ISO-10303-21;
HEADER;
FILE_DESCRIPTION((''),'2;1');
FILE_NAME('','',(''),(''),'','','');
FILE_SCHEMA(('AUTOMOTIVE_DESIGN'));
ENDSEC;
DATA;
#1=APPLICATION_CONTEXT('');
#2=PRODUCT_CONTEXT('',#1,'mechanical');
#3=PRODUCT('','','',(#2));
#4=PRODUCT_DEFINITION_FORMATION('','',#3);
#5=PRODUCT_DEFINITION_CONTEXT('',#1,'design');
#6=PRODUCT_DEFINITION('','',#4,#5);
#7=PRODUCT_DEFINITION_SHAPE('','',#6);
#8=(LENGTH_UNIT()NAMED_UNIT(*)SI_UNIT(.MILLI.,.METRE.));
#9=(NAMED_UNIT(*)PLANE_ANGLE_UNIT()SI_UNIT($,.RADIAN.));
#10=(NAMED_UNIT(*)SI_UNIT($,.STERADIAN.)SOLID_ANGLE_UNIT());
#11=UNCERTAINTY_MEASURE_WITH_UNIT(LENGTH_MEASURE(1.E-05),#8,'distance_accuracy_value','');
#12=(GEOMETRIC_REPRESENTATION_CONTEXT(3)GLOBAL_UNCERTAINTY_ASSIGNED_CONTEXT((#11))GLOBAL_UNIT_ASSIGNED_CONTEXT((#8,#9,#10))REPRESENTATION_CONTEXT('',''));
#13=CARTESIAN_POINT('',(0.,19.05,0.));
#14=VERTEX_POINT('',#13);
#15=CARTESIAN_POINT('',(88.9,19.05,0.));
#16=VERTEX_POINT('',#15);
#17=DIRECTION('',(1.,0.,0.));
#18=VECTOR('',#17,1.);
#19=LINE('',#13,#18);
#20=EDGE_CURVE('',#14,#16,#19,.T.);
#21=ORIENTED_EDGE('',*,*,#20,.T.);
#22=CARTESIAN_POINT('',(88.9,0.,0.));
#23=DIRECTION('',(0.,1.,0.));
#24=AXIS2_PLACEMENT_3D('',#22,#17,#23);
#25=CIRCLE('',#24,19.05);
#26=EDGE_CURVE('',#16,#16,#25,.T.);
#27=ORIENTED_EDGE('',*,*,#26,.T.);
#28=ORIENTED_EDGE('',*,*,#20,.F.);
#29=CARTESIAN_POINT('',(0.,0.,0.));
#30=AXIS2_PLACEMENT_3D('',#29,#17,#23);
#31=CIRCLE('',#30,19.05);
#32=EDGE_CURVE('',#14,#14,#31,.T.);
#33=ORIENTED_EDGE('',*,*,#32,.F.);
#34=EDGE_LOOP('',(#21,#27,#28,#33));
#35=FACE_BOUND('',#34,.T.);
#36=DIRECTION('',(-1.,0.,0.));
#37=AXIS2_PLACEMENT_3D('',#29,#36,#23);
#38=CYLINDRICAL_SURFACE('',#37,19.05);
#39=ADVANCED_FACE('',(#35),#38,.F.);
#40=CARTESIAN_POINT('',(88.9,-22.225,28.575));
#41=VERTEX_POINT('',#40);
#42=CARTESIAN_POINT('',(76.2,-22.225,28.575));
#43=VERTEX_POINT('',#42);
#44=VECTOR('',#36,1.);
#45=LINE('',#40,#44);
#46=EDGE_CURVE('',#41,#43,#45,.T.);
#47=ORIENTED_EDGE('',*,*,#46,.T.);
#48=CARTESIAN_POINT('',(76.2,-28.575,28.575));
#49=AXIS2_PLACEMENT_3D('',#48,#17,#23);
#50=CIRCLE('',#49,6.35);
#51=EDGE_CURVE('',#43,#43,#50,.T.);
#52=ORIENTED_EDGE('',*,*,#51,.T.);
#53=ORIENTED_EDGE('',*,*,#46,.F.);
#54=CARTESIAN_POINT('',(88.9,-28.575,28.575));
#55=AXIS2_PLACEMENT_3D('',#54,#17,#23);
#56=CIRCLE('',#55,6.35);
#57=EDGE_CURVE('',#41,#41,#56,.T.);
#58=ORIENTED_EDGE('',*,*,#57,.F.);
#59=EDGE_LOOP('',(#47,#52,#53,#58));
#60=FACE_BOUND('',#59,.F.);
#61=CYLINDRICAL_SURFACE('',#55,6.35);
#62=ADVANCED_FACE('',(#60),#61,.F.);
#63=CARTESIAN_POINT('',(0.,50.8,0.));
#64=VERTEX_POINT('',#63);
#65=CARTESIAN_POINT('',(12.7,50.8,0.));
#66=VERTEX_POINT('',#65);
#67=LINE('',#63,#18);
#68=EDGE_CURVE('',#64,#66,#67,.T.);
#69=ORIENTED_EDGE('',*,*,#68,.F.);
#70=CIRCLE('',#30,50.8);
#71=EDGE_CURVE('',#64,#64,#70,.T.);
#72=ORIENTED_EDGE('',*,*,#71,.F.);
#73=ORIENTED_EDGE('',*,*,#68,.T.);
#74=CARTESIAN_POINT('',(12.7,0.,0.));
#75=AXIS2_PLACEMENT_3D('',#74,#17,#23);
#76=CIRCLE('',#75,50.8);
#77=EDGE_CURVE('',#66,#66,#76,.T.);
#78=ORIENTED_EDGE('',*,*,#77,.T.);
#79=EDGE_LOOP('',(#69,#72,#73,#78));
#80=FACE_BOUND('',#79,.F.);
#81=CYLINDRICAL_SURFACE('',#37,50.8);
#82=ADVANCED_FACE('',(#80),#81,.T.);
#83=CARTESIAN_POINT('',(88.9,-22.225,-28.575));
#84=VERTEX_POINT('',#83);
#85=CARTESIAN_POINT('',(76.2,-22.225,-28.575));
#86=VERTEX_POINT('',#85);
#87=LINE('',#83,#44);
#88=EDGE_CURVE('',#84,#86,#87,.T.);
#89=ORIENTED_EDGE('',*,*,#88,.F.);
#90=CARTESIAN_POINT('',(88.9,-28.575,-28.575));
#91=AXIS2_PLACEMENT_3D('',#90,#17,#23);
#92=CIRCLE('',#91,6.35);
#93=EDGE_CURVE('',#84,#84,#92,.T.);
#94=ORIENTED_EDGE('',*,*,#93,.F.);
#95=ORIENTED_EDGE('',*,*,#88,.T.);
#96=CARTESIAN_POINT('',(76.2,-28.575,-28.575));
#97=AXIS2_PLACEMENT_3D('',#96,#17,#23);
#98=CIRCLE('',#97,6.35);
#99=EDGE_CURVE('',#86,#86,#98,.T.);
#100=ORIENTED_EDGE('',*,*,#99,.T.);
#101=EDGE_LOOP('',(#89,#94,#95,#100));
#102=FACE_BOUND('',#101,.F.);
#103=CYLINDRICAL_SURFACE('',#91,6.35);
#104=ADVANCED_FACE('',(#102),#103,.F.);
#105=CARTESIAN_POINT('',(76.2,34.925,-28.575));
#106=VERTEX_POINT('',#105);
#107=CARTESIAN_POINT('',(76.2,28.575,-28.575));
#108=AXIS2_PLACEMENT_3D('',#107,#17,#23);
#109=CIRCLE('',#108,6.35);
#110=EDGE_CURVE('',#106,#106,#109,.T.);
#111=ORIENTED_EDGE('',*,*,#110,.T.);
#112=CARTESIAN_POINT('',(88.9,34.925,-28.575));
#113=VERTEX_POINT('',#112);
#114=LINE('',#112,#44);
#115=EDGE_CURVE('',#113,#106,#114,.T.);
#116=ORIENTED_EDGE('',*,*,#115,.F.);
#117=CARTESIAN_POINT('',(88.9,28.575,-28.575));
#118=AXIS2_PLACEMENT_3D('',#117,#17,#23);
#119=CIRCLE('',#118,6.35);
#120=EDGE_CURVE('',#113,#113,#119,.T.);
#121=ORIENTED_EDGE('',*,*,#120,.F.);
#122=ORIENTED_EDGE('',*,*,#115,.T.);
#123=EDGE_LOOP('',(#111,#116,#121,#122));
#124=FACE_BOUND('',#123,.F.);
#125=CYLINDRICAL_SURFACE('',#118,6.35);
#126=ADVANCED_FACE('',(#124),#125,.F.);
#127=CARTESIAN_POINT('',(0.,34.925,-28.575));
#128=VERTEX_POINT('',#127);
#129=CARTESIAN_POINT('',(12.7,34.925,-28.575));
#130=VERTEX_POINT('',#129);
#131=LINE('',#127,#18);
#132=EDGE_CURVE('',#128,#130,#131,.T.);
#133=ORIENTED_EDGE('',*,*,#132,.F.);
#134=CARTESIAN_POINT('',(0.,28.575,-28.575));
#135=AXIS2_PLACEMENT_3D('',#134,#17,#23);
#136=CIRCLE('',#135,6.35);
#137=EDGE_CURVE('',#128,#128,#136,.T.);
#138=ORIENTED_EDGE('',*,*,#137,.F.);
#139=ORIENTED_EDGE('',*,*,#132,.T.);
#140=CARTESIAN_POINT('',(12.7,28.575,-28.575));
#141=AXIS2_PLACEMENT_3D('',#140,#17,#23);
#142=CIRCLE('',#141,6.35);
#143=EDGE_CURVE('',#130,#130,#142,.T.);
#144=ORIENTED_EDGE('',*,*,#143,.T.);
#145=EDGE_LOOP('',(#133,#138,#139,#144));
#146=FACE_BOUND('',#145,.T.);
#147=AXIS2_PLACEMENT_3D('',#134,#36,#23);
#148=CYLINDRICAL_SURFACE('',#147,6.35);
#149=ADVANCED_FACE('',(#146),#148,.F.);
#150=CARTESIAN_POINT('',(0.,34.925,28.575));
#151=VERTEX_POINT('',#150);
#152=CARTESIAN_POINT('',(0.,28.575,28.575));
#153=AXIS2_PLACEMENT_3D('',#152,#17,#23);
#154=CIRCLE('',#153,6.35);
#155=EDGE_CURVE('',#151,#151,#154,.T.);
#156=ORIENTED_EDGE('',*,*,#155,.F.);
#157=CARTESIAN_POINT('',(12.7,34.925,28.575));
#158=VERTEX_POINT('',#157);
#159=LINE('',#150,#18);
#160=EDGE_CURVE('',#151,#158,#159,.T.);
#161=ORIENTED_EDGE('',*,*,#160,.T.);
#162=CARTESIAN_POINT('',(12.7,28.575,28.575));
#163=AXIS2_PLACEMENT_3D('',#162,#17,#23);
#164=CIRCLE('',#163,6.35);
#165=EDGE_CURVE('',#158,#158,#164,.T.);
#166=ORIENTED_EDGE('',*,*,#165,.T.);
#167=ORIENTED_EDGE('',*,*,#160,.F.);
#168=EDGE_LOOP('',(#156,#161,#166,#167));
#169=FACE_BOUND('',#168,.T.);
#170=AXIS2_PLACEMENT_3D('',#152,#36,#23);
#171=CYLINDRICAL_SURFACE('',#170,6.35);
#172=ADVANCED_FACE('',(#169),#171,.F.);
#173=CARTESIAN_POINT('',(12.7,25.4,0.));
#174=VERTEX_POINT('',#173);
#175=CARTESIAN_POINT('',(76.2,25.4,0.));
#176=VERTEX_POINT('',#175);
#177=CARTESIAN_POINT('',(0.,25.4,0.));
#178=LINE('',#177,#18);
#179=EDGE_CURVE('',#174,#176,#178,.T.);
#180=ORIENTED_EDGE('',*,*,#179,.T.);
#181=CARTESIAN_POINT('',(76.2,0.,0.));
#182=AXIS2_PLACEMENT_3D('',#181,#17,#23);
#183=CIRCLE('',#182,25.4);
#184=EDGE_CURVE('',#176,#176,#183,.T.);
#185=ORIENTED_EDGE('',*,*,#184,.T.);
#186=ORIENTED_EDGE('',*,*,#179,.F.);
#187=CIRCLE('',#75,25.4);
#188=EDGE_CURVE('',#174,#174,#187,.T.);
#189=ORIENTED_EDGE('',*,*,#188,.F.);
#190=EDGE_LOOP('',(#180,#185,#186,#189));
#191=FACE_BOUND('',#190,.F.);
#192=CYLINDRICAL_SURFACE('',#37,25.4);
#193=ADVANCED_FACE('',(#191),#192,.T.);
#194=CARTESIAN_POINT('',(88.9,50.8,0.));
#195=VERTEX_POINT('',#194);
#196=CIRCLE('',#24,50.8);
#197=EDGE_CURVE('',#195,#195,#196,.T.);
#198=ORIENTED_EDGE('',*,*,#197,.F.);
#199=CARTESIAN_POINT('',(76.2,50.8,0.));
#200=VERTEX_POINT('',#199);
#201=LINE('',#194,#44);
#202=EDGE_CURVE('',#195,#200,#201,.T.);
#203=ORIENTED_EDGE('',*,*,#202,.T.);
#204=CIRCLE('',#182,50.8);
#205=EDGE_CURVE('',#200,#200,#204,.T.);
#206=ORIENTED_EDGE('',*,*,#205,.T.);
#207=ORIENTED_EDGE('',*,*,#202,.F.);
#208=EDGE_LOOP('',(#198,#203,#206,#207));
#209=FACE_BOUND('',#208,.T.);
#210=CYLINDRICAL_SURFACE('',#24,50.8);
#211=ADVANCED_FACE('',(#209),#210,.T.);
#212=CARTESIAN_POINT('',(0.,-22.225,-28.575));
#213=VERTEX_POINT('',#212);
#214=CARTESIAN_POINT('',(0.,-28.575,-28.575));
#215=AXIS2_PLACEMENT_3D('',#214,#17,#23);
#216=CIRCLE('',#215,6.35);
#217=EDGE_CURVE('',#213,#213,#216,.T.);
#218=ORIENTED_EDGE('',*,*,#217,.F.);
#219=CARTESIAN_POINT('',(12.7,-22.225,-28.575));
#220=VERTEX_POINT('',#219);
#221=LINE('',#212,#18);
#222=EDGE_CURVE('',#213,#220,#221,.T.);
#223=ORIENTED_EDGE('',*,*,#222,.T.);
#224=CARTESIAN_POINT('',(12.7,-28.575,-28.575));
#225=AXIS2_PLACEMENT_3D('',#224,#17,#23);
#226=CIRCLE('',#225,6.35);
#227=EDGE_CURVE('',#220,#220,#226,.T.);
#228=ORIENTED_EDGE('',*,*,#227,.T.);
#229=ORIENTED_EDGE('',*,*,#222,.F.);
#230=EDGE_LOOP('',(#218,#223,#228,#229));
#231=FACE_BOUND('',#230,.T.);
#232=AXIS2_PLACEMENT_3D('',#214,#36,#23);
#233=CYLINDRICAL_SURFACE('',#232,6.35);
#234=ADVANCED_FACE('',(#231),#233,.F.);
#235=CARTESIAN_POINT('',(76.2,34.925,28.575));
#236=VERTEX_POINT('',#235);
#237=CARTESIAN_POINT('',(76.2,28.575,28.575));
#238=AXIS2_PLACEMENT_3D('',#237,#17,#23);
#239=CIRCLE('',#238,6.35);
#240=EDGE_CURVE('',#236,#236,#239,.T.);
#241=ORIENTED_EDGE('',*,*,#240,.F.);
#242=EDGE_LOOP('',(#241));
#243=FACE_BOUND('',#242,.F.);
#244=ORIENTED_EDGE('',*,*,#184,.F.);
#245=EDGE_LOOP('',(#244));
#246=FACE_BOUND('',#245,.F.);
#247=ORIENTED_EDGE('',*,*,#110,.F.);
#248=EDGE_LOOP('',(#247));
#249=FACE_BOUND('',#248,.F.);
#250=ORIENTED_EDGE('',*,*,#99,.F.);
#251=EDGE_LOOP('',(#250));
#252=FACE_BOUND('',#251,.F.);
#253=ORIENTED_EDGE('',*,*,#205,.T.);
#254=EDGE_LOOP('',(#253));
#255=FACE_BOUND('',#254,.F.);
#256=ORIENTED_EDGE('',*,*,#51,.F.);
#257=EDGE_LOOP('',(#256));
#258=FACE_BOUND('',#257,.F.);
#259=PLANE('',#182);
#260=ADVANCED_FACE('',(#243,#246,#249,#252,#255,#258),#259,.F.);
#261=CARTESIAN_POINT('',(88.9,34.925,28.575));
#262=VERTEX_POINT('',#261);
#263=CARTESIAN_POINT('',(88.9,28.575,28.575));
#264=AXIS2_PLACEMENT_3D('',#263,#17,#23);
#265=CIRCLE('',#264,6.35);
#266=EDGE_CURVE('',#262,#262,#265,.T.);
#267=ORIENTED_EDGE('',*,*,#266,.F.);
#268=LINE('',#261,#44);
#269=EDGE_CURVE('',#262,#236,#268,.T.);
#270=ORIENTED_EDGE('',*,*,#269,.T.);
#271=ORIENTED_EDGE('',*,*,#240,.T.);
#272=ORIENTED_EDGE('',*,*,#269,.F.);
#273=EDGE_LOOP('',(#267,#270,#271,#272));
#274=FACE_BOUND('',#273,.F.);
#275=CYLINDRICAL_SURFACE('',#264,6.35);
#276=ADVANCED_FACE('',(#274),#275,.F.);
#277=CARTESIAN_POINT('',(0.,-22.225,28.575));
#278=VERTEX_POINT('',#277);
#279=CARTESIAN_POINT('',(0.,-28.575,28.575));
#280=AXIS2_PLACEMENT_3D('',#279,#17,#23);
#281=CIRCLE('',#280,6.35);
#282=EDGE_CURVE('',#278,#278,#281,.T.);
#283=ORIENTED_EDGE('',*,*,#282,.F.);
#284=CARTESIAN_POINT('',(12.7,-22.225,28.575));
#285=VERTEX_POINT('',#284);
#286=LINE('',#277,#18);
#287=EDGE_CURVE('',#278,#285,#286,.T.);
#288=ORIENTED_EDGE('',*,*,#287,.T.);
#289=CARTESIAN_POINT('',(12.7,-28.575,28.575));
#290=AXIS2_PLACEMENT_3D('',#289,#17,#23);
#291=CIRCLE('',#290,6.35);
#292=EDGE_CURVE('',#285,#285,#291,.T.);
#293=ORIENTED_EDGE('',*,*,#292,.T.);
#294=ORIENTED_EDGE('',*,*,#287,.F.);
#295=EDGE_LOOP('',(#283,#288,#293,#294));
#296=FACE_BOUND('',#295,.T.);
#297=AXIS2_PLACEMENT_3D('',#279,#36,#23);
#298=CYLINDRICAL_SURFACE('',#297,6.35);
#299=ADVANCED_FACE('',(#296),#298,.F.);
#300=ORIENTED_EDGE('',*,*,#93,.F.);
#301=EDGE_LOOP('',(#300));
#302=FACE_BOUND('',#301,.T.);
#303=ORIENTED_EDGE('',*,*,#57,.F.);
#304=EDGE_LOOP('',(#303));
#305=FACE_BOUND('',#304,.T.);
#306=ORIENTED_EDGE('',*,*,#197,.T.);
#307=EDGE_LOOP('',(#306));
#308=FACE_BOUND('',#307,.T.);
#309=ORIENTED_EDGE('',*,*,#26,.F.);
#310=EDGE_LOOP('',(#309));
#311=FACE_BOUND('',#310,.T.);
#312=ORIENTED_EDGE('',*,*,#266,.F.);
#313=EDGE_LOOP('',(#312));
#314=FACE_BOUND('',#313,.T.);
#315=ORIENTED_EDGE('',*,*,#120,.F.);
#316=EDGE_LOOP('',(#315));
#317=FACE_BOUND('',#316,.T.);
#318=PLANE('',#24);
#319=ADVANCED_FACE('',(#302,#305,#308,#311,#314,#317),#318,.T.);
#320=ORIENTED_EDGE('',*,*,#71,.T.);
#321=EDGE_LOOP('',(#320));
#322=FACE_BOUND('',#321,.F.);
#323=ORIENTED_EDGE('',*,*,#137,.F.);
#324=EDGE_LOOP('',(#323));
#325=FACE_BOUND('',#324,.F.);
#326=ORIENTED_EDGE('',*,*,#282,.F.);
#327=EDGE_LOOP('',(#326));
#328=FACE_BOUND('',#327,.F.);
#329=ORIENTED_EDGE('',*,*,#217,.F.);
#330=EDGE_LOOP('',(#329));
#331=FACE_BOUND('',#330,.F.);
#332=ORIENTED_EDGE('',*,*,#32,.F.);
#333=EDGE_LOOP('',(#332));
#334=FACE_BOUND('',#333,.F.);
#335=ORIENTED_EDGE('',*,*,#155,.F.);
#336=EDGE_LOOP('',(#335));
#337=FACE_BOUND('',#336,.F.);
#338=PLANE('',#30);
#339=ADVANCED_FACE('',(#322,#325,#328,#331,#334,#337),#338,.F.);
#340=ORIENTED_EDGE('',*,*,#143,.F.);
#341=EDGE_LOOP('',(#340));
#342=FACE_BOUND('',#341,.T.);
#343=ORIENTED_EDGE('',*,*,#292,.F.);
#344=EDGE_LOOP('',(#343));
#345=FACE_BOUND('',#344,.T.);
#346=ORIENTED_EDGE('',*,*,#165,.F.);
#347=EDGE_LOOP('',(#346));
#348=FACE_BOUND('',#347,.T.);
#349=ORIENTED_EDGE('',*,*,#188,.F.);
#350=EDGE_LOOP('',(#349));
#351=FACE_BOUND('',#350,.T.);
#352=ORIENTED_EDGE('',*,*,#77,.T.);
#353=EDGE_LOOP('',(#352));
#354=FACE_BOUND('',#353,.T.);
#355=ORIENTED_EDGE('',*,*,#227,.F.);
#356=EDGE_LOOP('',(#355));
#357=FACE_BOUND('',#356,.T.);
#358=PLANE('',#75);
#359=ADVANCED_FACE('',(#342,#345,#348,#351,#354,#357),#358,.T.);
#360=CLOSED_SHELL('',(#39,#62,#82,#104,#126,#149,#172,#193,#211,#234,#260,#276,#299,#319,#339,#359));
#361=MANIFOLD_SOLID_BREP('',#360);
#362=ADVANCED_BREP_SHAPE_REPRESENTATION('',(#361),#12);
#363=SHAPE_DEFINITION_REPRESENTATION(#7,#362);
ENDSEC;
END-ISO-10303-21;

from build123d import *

# Parameters (mm, degrees)
F0_R     = 50.8
F0_R_2   = 6.35
F0_R_3   = 25.4
F1_DEPTH = 12.7
F0_R_4   = 19.05
F2_DEPTH = 88.9
F3_R     = 50.8
F3_R_2   = 6.35
F3_R_3   = 25.4
F4_DEPTH = 12.7


with BuildPart() as f1:
    # F0 (on Right) → F1 (new body)
    with BuildSketch(Plane.YZ):
        Circle(F0_R)
        with Locations((-28.575, -28.575)):
            Circle(F0_R_2, mode=Mode.SUBTRACT)
        Circle(F0_R_3, mode=Mode.SUBTRACT)
        with Locations((28.575, -28.575)):
            Circle(F0_R_2, mode=Mode.SUBTRACT)
        with Locations((-28.575, 28.575)):
            Circle(F0_R_2, mode=Mode.SUBTRACT)
        with Locations((28.575, 28.575)):
            Circle(F0_R_2, mode=Mode.SUBTRACT)
    extrude(amount=F1_DEPTH)

    # F0 (on Right) → F2 (join)
    with BuildSketch(Plane.YZ):
        Circle(F0_R_3)
        Circle(F0_R_4, mode=Mode.SUBTRACT)
    extrude(amount=F2_DEPTH)

    # F3 (on face) → F4 (join)
    with BuildSketch(Plane.YZ.offset(88.9)):
        Circle(F3_R)
        with Locations((-28.575, -28.575)):
            Circle(F3_R_2, mode=Mode.SUBTRACT)
        Circle(F3_R_3, mode=Mode.SUBTRACT)
        with Locations((28.575, -28.575)):
            Circle(F3_R_2, mode=Mode.SUBTRACT)
        with Locations((-28.575, 28.575)):
            Circle(F3_R_2, mode=Mode.SUBTRACT)
        with Locations((28.575, 28.575)):
            Circle(F3_R_2, mode=Mode.SUBTRACT)
    extrude(amount=-F4_DEPTH)


solid = f1.part
